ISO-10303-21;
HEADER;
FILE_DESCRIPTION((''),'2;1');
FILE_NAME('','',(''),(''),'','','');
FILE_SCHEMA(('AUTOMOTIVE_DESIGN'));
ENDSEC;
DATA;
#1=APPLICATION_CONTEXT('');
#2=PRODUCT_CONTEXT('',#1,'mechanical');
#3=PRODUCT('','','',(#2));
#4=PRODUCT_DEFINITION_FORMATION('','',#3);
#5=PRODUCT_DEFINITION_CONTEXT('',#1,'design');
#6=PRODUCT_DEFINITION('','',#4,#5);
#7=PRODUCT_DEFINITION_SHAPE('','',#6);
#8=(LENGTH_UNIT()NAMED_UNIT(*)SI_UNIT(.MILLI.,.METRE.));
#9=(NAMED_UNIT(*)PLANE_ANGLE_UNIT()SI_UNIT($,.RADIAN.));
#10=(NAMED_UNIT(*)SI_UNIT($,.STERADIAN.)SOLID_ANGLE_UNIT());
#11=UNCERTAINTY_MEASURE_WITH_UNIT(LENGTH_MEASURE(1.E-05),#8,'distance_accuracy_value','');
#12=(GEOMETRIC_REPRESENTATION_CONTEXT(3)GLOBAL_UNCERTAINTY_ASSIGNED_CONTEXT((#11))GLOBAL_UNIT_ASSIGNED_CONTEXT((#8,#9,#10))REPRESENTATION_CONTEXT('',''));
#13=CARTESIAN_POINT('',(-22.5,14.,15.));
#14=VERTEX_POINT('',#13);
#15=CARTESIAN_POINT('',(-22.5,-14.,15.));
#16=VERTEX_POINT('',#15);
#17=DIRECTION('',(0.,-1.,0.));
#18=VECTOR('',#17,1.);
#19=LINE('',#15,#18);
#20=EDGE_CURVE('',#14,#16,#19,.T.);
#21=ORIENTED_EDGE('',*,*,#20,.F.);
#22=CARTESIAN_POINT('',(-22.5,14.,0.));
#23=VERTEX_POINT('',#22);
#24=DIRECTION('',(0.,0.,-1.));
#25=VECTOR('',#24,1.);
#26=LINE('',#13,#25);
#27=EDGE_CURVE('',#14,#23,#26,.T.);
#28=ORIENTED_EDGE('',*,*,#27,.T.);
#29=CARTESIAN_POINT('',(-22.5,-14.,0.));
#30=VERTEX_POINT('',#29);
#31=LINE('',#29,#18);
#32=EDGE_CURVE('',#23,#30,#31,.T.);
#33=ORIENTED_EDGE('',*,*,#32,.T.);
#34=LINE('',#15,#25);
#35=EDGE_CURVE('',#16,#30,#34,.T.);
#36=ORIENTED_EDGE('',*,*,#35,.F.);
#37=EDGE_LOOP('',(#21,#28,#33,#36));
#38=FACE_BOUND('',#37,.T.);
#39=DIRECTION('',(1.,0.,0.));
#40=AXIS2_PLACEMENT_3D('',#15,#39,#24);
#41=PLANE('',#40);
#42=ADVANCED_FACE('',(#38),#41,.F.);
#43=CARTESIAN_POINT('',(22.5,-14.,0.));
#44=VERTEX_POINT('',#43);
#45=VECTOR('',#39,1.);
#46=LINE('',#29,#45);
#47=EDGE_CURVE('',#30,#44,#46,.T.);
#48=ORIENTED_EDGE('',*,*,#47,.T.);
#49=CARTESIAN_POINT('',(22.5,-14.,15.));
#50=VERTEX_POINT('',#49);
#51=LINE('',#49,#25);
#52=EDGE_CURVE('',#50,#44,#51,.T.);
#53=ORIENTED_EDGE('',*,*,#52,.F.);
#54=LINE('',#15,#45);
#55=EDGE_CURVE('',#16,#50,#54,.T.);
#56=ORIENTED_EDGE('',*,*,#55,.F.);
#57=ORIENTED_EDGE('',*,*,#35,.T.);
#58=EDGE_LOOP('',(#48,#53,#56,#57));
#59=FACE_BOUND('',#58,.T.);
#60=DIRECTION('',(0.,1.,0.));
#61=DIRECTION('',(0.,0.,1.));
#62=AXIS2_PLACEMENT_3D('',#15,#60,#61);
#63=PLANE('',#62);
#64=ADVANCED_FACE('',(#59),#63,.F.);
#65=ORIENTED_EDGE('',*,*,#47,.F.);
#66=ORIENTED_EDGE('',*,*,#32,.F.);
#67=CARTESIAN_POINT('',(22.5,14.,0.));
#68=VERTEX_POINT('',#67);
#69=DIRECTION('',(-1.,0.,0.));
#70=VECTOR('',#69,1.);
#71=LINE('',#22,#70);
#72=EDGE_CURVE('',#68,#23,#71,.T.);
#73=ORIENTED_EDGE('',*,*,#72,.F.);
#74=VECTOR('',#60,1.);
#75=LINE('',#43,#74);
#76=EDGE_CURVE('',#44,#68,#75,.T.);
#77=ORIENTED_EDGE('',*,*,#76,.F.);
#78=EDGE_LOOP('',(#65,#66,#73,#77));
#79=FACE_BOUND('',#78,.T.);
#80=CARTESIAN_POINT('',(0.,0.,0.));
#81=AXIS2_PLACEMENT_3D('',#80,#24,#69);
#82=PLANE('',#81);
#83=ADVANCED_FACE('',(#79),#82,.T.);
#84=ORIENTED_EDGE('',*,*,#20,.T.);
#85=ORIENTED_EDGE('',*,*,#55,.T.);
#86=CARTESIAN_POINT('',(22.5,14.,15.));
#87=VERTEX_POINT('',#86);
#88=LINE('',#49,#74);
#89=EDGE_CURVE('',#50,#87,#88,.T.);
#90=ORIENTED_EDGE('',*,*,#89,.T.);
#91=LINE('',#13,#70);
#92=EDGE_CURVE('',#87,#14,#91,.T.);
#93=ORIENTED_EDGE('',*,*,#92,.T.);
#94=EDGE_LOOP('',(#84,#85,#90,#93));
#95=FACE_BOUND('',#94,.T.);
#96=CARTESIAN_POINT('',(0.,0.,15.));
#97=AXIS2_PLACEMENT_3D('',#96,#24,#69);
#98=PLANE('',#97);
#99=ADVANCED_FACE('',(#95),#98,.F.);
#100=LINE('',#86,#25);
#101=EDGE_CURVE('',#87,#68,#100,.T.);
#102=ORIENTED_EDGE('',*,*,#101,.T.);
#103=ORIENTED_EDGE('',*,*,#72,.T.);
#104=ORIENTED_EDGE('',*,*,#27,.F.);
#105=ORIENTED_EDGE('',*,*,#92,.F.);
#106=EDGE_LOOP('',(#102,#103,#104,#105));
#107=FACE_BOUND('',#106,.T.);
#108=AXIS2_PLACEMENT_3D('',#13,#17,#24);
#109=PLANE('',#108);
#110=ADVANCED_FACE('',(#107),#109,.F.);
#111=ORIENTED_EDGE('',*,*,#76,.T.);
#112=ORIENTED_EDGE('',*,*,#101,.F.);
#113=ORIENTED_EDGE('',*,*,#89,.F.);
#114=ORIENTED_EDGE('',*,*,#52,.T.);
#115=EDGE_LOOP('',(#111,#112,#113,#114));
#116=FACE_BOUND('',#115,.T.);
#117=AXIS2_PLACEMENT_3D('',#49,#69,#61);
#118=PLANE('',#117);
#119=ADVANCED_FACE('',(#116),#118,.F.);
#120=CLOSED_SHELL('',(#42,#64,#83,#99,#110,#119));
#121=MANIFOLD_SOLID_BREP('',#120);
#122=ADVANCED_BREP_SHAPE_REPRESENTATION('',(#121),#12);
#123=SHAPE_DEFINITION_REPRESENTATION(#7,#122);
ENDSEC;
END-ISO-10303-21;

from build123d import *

# Parameters (mm, degrees)
SKETCH1_W                                  = 45
SKETCH1_H                                  = 28
REFERENCE_ENVELOPE_NOT_MANUFACTURING_DEPTH = 15


with BuildPart() as part:
    # Sketch1 → REFERENCE_ENVELOPE_NOT_MANUFACTURING (new body)
    with BuildSketch(Plane.XY):
        Rectangle(SKETCH1_W, SKETCH1_H)
    extrude(amount=REFERENCE_ENVELOPE_NOT_MANUFACTURING_DEPTH)


solid = part.part
